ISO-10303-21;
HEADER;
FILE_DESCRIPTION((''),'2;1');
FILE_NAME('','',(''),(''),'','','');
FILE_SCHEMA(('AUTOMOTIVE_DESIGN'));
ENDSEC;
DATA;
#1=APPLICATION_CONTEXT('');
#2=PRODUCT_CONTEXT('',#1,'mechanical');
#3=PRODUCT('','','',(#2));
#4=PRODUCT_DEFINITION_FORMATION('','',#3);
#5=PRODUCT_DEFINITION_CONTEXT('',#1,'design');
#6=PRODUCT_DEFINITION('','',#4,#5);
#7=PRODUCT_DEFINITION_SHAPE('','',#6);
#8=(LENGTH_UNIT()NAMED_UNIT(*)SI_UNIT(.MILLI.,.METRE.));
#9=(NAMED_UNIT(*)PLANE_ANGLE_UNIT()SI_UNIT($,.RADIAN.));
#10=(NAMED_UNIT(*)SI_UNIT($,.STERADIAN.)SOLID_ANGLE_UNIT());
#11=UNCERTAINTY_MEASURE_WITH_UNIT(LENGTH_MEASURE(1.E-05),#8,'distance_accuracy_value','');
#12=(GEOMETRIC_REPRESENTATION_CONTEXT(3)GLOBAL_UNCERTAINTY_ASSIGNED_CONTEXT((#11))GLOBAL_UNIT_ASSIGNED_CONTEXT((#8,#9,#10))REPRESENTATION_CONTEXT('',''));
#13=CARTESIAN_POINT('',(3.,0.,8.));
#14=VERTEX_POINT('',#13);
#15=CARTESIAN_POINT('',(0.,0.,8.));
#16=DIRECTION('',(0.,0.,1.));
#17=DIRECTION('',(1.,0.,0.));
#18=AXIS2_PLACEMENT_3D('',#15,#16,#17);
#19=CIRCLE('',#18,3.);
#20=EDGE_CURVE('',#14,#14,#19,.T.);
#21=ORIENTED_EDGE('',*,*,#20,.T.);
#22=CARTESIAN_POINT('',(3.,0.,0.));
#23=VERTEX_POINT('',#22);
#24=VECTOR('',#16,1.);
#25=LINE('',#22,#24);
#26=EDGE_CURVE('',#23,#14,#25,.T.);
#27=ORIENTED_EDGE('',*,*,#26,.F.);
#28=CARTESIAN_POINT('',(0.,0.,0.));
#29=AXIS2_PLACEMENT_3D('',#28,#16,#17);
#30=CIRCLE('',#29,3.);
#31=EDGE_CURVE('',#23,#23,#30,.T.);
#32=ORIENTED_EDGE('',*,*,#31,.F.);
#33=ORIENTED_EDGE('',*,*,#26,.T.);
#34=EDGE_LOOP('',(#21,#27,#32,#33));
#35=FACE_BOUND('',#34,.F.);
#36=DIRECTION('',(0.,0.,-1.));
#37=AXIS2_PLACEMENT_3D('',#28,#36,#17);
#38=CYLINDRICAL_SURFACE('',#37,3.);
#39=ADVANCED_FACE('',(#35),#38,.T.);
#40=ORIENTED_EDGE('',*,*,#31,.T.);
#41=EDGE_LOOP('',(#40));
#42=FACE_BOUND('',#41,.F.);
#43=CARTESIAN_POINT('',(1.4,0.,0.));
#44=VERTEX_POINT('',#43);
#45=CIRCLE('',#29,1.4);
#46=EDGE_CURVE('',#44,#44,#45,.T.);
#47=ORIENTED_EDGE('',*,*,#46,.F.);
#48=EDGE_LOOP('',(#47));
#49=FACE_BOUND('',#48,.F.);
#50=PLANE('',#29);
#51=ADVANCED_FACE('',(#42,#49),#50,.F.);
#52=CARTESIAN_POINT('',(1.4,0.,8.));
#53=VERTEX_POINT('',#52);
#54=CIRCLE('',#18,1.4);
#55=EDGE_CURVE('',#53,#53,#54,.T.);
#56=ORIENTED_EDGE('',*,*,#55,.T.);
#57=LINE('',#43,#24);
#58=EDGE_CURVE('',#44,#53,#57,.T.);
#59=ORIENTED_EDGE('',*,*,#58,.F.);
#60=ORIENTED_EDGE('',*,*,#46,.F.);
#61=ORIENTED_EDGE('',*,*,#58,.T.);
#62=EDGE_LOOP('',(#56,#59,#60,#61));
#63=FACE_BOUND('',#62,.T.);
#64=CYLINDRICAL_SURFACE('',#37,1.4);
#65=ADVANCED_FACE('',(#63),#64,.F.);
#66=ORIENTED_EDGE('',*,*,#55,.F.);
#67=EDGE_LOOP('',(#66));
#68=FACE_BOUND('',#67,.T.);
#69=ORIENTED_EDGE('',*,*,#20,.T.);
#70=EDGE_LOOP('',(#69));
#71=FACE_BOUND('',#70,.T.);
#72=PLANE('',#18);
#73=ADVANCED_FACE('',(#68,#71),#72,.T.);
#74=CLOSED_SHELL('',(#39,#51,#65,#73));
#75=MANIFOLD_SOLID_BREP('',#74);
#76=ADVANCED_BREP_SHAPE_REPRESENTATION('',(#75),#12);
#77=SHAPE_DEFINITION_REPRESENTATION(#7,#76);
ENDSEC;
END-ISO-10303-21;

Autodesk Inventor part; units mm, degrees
ref_plane "YZ Plane" through (0, 0, 0) normal (1, 0, 0) x (0, 1, 0)
ref_plane "XZ Plane" through (0, 0, 0) normal (0, 1, 0) x (-1, 0, 0)
ref_plane "XY Plane" through (0, 0, 0) normal (0, 0, 1) x (1, 0, 0)
sketch "スケッチ1" plane through (0, 0, 0) normal (0, 0, 1) x (1, 0, 0)
  circle A0 centre (0, 0) radius 1.4
  circle A1 centre (0, 0) radius 3
  dimension "d0" = 2.8
  dimension "d1" = 6
extrude "押し出し1" add sketch "スケッチ1" along normal blind 8
properties part number "8mm" material "アルミニウム 2014-T4"
